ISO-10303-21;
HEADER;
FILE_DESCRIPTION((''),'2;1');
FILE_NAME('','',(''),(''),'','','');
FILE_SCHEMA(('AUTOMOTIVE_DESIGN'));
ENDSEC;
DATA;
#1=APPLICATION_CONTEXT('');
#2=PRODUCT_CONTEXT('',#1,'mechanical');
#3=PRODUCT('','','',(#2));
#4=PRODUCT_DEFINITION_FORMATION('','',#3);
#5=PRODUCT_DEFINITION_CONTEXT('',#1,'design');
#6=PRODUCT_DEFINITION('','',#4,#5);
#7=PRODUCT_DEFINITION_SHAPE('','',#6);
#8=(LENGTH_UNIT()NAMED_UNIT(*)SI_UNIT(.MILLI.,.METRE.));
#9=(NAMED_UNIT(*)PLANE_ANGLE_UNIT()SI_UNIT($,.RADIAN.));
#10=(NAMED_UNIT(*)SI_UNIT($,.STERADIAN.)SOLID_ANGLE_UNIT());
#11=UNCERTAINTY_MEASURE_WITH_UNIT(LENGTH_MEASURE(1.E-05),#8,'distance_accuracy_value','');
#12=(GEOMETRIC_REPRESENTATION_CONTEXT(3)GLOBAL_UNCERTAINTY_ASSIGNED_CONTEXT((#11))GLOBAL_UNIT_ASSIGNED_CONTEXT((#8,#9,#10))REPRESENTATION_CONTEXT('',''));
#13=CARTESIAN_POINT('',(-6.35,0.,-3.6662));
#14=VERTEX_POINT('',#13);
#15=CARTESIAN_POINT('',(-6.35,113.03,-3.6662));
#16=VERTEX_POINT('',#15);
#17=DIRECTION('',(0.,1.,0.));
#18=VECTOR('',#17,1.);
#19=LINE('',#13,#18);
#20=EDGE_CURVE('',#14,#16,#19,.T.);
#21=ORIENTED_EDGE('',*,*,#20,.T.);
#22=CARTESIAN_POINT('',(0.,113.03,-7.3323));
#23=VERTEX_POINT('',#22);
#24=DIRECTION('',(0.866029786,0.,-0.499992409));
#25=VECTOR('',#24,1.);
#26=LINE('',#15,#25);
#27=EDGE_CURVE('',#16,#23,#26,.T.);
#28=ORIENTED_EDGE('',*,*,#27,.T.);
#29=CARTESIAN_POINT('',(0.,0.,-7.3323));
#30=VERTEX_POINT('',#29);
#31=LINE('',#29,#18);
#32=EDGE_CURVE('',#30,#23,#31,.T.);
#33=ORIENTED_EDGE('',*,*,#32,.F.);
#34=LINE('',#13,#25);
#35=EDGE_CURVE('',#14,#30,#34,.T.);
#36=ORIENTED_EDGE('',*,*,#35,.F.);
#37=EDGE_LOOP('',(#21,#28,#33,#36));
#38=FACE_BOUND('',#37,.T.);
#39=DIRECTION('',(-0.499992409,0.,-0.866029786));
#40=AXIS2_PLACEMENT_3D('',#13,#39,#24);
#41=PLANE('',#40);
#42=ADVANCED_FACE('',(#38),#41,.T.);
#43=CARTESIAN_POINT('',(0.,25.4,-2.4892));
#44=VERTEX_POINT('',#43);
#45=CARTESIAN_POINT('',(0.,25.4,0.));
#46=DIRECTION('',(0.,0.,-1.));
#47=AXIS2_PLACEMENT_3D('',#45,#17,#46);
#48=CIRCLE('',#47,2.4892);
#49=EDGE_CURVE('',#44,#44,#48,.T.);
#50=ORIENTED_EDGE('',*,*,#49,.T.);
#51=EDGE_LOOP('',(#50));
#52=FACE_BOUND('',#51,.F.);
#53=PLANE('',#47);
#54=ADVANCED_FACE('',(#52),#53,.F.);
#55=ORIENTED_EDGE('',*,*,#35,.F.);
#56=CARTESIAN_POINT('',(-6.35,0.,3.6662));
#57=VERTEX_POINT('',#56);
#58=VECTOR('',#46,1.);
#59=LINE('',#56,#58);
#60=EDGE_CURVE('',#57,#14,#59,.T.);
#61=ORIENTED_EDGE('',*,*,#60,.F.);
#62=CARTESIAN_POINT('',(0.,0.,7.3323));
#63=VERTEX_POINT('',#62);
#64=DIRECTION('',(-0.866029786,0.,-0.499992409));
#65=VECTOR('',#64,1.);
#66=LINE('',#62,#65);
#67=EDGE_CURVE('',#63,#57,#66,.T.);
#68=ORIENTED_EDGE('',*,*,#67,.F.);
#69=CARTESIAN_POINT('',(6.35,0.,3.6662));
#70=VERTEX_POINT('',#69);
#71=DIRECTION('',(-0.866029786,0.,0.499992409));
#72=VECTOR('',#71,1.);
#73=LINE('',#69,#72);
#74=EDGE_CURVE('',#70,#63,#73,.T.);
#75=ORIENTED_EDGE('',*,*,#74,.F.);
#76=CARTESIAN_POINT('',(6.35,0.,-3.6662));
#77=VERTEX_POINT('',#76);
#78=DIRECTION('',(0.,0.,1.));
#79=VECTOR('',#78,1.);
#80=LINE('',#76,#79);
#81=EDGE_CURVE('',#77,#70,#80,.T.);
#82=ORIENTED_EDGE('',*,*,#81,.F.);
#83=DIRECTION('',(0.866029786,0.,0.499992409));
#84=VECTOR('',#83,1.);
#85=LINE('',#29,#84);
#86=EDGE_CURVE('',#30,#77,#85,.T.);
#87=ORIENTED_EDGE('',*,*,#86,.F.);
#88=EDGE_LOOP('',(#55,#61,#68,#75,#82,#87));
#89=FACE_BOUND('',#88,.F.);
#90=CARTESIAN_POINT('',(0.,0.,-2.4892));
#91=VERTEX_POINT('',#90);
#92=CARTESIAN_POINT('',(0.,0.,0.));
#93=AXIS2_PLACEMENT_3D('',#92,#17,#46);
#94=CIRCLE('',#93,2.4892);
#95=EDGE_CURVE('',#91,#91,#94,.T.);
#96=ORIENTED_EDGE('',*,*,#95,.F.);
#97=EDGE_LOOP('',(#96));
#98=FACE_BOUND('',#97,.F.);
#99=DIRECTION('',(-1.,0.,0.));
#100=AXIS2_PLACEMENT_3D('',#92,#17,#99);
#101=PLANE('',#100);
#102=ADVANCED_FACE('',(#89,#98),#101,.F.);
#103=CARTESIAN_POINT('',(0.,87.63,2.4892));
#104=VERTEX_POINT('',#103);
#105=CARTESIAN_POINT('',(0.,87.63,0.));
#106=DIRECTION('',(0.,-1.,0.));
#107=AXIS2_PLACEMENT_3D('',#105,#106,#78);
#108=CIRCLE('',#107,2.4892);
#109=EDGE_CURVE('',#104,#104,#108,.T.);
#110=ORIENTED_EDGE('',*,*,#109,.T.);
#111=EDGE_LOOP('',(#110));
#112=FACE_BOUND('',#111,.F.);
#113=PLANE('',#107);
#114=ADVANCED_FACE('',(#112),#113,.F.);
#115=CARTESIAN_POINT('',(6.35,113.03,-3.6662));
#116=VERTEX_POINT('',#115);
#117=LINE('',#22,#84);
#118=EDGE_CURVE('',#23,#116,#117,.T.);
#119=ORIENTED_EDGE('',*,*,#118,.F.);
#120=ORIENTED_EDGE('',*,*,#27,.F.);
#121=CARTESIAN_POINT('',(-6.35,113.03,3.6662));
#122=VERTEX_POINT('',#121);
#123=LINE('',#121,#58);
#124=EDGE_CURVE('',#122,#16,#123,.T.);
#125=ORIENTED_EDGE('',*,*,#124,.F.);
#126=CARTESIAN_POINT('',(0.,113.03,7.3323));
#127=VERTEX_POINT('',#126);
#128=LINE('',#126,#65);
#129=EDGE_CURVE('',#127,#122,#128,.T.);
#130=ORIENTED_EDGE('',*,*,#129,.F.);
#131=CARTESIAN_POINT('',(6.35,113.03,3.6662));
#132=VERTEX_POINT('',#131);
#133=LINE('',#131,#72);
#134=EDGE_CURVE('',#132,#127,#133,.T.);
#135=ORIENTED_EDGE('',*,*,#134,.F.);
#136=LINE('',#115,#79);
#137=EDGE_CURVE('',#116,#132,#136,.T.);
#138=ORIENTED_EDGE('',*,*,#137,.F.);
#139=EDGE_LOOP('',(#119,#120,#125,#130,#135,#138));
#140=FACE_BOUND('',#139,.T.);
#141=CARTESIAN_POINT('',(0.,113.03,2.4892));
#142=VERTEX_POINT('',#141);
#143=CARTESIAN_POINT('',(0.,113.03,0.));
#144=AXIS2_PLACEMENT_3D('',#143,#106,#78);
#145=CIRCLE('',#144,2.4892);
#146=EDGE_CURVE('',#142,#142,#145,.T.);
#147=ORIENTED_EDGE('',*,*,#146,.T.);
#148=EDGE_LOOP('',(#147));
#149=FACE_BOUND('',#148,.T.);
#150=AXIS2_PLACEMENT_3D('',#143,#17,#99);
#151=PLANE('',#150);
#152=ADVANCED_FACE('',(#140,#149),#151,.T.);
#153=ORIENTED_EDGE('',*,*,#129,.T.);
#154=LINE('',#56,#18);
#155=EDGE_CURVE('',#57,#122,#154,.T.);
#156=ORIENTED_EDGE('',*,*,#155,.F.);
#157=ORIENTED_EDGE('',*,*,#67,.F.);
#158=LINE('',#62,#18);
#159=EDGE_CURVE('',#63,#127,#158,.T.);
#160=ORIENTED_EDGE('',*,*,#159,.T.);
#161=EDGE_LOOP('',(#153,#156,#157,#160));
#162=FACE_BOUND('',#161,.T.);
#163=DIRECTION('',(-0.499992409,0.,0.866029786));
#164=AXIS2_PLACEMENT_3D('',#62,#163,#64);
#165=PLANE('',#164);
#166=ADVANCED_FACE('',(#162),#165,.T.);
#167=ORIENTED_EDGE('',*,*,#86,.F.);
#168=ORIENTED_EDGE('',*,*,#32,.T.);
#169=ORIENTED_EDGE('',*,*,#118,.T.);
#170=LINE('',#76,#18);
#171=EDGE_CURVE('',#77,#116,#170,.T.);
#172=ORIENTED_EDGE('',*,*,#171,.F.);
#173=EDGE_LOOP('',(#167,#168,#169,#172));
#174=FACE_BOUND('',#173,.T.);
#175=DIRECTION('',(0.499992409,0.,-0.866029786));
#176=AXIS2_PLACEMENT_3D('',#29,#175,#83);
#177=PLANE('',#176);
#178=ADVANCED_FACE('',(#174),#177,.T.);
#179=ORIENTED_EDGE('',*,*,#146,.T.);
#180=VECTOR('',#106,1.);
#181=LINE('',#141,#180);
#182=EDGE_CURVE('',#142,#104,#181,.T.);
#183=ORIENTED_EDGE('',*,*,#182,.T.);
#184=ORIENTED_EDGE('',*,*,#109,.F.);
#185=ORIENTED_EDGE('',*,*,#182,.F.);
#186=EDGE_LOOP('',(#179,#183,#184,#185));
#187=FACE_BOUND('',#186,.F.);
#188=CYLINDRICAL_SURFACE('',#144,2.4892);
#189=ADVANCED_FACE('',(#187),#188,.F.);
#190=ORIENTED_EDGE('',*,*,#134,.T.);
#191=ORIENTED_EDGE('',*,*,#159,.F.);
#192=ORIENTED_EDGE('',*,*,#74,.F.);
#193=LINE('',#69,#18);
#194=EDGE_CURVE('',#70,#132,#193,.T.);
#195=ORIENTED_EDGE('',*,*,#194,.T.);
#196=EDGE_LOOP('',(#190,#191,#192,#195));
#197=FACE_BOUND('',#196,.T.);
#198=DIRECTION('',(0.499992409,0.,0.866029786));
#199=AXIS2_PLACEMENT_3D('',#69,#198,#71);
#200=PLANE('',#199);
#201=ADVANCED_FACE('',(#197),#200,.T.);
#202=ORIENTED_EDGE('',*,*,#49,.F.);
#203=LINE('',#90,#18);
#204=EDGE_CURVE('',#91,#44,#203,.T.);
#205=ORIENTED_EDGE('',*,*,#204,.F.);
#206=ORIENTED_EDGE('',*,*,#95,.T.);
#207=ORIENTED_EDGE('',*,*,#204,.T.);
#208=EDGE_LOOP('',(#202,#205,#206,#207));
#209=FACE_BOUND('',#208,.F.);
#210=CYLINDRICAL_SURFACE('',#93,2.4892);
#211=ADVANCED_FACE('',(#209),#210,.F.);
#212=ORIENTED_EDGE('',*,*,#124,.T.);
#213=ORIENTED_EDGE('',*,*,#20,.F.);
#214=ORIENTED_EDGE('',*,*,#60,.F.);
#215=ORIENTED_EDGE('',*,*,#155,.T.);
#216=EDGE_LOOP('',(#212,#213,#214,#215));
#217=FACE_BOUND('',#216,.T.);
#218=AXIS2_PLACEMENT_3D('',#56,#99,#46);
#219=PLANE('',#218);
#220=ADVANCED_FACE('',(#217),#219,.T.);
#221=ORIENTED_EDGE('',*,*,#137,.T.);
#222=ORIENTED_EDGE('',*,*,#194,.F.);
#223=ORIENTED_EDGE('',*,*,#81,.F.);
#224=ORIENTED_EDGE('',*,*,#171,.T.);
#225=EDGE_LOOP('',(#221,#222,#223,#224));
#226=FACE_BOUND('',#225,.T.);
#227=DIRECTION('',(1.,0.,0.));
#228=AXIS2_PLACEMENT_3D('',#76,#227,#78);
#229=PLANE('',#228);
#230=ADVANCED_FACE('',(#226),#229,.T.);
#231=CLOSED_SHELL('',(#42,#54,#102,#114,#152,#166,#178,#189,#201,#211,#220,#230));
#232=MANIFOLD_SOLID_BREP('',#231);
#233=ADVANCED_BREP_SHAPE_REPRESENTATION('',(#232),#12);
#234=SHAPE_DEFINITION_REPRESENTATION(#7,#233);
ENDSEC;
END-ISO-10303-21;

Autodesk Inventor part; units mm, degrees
ref_plane "YZ Plane" through (0, 0, 0) normal (1, 0, 0) x (0, 1, 0)
ref_plane "XZ Plane" through (0, 0, 0) normal (0, 1, 0) x (-1, 0, 0)
ref_plane "XY Plane" through (0, 0, 0) normal (0, 0, 1) x (1, 0, 0)
sketch "Sketch1" plane through (0, 0, 0) normal (0, 1, 0) x (-1, 0, 0)
  line L0 (6.35, -3.6662) -> (0, -7.3323)
  line L1 (0, -7.3323) -> (-6.35, -3.6662)
  line L2 (-6.35, -3.6662) -> (-6.35, 3.6662)
  line L3 (-6.35, 3.6662) -> (0, 7.3323)
  line L4 (0, 7.3323) -> (6.35, 3.6662)
  line L5 (6.35, 3.6662) -> (6.35, -3.6662)
  point P0 (0, 0)
  point P1 (0, 0)
  point P2 (0, 0)
  dimension "d0" = 12.7
extrude "Extrusion1" add sketch "Sketch1" along normal blind 113.03
sketch "Sketch2" plane through (0, 113.03, 0) normal (0, 1, 0) x (1, 0, 0)
  point P0 (0, 0)
  point P1 (0, 0)
hole "Hole1" at (0, 113.03, 0) direction (0, -1, 0) diameter 4.9784 depth 25.4 thread size "1/4-20 UNC" class "2B" standard "ANSI Unified Screw Threads"
sketch "Sketch3" plane through (0, 0, 0) normal (0, -1, 0) x (1, 0, 0)
  point P0 (0, 0)
  point P1 (0, 0)
hole "Hole2" at (0, 0, 0) direction (0, 1, 0) diameter 4.9784 depth 25.4 thread size "1/4-20 UNC" class "2B" standard "ANSI Unified Screw Threads"
properties part number "ELEV_041_HEXSHAFT4" material "Aluminum 6061"
